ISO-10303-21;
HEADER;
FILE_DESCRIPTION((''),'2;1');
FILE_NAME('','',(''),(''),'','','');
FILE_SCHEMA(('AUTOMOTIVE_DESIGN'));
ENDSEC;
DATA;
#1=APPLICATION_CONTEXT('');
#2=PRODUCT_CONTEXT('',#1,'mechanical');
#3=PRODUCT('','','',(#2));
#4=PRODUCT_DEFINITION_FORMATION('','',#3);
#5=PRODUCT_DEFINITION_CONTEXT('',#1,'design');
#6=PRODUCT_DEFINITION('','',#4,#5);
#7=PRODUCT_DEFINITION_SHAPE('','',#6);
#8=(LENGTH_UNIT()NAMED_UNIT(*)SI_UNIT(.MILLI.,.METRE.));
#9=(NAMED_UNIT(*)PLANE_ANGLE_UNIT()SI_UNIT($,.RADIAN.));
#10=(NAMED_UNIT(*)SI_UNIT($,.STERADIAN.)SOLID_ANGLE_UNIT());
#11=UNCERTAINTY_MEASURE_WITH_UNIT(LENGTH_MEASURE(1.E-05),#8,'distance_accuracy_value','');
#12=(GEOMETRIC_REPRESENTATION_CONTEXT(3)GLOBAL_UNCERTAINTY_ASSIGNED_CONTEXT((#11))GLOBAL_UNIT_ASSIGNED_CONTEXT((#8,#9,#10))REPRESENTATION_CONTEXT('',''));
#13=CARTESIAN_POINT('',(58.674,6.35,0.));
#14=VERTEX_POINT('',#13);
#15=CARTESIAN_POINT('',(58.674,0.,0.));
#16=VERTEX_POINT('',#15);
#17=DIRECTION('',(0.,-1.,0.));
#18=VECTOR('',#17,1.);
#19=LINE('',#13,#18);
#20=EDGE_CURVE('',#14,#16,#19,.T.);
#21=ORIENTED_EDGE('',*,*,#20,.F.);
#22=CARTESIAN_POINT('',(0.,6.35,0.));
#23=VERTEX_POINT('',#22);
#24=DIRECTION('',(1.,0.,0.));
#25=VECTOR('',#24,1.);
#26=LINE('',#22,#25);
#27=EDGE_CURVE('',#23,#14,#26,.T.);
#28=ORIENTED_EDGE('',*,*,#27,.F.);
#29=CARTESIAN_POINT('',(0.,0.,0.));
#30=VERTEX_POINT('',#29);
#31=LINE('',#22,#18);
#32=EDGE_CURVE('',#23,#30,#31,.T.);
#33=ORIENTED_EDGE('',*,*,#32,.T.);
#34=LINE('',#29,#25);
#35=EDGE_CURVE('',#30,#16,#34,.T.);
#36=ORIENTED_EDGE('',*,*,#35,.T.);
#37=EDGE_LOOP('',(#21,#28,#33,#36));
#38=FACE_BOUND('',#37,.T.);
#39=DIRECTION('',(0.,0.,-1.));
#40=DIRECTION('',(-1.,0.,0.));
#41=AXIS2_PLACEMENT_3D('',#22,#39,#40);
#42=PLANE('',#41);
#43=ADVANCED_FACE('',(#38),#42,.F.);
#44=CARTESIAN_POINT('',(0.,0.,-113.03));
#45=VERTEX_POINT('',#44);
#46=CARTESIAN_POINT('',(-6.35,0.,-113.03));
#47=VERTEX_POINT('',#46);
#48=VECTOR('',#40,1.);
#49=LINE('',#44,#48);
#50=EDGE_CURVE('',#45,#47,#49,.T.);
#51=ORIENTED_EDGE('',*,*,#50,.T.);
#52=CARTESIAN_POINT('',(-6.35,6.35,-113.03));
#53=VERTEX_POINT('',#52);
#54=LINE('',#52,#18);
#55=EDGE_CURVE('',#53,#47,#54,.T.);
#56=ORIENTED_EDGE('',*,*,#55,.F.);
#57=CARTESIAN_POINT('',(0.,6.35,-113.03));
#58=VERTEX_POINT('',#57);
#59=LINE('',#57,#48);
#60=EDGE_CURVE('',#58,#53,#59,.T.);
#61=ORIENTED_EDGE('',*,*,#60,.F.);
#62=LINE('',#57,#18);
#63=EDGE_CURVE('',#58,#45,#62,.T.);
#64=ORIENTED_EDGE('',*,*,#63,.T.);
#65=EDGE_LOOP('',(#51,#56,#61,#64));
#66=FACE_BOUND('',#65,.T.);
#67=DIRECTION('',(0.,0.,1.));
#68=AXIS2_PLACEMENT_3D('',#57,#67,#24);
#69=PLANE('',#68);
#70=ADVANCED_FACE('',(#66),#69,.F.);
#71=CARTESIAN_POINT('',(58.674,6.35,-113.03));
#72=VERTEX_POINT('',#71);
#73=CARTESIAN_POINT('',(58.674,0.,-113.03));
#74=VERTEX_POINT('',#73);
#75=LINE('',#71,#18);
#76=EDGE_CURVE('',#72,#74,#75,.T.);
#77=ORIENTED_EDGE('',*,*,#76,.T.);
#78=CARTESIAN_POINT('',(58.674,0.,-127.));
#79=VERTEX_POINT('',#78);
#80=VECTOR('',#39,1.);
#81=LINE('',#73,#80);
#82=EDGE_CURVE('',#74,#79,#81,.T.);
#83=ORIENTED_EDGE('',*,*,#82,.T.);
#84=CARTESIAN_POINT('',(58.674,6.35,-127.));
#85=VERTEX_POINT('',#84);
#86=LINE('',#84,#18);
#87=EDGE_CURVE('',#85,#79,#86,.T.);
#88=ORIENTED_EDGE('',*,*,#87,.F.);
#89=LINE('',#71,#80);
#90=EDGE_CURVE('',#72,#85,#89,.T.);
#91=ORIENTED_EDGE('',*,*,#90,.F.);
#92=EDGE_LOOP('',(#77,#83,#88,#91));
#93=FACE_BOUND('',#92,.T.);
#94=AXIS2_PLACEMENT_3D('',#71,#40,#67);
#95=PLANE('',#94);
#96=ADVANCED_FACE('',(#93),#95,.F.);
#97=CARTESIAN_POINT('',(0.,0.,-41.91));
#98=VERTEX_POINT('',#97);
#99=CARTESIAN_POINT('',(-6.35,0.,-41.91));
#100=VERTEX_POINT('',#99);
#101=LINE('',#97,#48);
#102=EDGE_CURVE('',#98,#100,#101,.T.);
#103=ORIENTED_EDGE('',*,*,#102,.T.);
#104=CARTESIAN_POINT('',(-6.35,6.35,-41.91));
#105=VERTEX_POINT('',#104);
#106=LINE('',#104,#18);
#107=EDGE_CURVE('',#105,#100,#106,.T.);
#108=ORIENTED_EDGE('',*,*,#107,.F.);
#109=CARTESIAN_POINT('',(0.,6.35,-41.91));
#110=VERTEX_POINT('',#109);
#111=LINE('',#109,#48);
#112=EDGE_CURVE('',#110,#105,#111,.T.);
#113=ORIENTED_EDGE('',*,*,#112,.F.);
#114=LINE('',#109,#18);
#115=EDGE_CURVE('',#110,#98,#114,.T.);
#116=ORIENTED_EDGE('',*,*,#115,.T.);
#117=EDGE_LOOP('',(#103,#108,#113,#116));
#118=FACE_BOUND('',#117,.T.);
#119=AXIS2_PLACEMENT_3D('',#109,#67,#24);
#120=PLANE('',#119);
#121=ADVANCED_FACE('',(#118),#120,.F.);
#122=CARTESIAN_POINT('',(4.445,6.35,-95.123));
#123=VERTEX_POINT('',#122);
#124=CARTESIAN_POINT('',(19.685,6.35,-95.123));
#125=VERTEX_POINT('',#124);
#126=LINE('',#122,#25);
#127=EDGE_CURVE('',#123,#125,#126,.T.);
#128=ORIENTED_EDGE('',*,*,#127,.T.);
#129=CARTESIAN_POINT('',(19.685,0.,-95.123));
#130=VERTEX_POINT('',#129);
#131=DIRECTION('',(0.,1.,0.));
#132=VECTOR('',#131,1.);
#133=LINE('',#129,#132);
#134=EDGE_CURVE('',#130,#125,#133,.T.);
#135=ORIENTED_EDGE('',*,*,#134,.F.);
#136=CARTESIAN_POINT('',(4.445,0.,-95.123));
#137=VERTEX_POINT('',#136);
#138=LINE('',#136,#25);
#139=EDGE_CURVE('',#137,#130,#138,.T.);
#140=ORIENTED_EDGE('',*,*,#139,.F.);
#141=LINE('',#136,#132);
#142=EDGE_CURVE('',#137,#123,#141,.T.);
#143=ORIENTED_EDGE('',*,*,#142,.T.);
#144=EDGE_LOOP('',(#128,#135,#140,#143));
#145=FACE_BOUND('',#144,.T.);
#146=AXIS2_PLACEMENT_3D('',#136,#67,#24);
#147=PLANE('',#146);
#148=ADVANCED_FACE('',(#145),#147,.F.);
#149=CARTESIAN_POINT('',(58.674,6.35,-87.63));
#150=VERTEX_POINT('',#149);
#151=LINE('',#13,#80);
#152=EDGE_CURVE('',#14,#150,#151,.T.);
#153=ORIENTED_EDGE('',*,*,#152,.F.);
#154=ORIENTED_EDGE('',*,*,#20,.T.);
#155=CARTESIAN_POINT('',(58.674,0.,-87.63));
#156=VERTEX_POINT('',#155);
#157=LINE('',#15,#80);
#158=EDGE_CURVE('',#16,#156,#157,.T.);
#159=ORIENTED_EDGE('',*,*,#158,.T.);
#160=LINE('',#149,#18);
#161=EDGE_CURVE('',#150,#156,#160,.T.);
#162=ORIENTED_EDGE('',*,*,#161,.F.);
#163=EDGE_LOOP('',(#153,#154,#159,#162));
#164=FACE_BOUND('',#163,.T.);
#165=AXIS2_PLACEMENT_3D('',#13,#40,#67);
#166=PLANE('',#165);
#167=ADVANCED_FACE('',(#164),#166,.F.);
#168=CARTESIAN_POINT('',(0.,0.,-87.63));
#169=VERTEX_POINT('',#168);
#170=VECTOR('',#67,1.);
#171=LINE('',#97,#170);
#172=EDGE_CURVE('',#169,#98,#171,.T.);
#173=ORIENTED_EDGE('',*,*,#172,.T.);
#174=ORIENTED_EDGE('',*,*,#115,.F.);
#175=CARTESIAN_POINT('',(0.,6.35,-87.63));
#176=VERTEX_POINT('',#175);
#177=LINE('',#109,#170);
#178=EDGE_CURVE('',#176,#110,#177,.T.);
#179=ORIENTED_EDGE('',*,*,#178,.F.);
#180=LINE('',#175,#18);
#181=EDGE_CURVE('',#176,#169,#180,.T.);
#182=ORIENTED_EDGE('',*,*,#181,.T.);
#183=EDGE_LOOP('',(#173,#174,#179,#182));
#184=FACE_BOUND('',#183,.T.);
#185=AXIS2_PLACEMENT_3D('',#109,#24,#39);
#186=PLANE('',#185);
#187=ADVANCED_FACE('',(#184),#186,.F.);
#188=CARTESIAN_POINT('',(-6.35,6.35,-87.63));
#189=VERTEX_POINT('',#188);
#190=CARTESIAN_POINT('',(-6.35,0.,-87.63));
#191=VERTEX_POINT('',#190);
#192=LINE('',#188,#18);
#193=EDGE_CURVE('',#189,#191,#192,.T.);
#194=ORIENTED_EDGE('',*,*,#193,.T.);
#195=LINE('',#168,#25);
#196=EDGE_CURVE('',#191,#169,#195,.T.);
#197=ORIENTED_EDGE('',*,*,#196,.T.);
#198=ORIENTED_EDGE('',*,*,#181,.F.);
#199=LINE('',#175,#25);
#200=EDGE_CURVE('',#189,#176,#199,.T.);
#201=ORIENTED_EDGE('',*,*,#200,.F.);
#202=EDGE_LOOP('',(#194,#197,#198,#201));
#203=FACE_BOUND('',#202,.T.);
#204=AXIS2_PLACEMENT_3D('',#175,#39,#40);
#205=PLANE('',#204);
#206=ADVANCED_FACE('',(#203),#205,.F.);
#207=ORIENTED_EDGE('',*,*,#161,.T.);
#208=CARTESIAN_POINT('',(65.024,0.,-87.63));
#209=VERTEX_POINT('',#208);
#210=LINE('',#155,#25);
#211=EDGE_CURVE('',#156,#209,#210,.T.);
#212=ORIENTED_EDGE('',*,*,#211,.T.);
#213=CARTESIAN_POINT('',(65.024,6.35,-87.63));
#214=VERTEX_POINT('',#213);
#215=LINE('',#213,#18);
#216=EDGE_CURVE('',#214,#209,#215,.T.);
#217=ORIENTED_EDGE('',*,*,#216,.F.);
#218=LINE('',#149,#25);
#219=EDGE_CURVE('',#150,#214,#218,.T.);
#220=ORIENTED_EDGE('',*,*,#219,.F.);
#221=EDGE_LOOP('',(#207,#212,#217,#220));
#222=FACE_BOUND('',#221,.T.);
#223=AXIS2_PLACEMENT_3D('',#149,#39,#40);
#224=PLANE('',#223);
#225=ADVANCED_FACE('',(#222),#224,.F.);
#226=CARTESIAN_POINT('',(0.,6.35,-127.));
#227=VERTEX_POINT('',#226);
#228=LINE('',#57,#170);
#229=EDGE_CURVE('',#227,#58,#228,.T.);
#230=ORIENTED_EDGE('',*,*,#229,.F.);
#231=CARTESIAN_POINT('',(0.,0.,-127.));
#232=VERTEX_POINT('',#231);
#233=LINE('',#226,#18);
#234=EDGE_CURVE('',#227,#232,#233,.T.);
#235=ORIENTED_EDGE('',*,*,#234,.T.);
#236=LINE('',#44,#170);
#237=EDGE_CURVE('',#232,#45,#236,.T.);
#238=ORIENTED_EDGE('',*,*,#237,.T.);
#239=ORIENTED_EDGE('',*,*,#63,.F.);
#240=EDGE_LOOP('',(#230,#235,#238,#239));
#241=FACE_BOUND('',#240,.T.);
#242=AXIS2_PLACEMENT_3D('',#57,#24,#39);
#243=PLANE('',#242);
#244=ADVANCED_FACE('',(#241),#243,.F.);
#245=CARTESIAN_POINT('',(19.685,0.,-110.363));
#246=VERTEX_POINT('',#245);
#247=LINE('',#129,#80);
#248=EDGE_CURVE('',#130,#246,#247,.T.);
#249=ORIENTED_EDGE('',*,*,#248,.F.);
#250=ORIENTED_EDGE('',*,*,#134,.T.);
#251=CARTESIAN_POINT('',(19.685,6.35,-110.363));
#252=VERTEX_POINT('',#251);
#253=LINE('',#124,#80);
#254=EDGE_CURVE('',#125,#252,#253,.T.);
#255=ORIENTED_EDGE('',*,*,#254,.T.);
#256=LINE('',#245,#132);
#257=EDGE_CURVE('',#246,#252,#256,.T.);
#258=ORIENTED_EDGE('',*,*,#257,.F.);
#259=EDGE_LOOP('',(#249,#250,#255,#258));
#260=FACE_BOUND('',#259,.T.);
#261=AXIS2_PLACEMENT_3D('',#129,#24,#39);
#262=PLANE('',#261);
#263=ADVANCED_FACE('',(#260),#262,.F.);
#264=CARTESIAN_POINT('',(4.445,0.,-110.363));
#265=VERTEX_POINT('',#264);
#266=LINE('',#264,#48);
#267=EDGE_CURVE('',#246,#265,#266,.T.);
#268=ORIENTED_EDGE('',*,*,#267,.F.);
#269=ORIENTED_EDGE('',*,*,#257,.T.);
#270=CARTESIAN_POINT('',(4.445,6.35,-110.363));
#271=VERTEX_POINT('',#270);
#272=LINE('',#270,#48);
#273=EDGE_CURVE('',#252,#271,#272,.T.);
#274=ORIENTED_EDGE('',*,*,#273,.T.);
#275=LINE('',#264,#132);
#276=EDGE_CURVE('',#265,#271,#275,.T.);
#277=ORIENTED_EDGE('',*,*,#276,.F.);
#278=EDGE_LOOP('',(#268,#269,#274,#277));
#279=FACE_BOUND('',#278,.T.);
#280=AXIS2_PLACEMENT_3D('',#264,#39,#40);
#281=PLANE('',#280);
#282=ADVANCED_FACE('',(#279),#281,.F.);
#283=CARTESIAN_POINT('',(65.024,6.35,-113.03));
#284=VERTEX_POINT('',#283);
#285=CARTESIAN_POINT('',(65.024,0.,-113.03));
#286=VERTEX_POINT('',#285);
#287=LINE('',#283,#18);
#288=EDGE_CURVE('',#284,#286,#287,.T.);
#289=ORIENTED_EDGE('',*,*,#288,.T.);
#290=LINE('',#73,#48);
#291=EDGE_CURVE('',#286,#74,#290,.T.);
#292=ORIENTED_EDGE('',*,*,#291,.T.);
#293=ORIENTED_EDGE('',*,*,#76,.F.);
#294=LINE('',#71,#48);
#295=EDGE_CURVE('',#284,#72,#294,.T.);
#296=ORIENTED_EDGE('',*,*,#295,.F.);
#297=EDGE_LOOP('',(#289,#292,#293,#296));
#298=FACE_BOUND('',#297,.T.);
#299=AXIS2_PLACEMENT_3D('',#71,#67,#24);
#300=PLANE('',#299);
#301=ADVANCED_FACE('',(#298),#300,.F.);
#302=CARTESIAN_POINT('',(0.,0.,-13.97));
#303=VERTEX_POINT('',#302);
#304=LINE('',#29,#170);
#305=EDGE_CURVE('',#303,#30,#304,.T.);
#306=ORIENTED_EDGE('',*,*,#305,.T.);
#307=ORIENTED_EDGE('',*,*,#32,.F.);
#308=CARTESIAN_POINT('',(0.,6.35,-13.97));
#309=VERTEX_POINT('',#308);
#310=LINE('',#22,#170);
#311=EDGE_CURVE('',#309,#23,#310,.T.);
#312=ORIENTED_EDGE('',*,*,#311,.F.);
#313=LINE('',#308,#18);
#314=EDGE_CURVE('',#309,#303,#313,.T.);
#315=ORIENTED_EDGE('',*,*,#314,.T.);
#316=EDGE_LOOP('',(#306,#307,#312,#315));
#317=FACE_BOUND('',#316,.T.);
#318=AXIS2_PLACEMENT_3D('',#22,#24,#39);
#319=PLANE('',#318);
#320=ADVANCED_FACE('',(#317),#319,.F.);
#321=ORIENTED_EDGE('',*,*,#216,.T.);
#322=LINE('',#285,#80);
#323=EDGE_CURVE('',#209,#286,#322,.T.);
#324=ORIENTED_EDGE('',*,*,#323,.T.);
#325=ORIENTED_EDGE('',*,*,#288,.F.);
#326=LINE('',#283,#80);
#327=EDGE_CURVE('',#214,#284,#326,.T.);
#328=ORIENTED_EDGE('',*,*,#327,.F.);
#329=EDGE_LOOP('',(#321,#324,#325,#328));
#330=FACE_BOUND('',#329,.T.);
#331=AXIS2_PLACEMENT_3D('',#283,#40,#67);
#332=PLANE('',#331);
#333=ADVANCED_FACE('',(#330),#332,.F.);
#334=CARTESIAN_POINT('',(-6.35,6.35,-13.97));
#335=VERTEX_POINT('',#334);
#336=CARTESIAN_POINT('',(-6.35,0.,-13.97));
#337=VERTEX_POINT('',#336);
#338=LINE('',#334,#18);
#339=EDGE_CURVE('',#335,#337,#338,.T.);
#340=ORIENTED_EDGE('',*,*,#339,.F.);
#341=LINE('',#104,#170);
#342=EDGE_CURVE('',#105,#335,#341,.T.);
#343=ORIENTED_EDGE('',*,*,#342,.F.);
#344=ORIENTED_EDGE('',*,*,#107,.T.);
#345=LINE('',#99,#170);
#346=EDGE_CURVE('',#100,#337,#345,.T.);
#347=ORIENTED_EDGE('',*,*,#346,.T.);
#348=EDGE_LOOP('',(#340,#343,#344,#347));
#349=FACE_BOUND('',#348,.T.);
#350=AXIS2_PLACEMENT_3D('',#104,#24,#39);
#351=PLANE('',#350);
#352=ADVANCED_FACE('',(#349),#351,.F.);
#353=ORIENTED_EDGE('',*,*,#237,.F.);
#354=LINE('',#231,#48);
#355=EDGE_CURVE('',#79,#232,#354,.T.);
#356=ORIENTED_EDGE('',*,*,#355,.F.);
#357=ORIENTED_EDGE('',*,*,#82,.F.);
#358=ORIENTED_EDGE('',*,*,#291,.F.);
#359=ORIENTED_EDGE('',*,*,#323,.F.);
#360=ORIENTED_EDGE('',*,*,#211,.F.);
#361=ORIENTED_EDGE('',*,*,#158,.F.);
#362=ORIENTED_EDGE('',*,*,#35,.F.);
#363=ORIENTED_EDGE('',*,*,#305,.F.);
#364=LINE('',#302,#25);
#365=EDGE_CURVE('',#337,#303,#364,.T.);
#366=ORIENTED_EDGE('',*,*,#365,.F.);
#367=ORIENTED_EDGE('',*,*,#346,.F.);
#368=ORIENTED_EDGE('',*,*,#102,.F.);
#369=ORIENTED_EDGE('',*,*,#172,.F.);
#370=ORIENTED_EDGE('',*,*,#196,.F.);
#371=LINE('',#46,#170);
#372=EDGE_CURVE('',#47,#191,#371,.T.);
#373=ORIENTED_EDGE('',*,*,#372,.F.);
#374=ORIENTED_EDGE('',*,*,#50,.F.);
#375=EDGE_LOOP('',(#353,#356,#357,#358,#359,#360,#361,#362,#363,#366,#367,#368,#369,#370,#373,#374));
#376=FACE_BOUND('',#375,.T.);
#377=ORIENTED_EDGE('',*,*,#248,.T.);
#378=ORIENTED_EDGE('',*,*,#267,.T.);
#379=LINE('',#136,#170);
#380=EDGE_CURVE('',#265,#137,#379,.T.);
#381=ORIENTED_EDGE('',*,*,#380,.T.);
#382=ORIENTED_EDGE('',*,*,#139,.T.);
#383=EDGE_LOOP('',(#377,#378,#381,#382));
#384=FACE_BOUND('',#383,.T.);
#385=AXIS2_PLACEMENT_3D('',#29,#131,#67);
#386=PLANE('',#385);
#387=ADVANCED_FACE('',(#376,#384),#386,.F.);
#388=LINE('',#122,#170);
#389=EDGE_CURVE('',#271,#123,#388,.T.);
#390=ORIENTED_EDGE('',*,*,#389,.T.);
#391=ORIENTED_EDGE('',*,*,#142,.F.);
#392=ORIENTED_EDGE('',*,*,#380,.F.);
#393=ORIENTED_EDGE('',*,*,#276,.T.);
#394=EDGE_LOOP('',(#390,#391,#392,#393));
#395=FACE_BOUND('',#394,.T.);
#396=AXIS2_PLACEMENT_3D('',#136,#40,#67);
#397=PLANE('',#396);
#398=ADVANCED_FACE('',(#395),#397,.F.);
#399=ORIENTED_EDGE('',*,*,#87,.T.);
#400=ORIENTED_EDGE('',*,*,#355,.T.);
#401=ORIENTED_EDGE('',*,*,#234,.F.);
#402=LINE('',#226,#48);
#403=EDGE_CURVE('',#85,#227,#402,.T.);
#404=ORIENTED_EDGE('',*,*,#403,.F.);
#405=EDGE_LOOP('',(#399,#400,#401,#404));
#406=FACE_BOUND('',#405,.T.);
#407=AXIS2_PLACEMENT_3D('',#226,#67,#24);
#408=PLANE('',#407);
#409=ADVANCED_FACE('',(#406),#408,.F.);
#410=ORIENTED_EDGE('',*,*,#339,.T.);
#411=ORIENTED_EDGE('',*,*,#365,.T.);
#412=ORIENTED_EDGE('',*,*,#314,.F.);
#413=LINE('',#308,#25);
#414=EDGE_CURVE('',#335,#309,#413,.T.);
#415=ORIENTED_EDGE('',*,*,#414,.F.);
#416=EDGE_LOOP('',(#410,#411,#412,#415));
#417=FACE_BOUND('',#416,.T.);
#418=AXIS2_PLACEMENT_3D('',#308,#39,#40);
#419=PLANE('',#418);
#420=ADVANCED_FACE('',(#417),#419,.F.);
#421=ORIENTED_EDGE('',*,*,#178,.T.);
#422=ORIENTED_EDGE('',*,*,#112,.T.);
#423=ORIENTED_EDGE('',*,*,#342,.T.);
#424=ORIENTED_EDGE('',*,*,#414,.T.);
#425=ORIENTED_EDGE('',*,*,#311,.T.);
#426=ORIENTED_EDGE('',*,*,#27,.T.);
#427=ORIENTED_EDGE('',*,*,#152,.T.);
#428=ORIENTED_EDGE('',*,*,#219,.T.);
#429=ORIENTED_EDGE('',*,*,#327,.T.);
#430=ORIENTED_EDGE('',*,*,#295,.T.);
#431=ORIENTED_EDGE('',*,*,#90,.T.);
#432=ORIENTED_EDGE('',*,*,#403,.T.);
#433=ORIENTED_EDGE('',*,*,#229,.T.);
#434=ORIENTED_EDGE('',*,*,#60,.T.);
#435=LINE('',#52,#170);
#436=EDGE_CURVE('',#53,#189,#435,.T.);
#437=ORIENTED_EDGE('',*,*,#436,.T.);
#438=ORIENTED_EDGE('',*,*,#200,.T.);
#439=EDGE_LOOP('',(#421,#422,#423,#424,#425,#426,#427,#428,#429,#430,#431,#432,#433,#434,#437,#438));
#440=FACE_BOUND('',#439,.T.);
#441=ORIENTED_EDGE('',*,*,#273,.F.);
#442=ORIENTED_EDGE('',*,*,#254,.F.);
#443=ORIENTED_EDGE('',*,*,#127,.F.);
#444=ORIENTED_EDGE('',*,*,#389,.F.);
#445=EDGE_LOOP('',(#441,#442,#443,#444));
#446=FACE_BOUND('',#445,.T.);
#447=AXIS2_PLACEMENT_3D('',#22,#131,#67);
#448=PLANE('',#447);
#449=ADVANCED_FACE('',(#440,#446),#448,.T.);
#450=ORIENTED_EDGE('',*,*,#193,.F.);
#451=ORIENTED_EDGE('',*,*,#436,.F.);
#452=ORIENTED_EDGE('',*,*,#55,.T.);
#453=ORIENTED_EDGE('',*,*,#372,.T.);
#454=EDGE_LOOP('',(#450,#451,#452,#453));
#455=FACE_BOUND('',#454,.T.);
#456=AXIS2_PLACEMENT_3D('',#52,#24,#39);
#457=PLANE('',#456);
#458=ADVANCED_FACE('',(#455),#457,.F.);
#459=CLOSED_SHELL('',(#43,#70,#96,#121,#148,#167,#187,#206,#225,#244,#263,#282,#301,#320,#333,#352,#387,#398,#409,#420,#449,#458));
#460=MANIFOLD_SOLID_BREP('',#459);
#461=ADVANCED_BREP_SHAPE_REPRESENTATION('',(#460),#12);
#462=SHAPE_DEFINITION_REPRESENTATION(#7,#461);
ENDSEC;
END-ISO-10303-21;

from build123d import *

# Parameters (mm, degrees)
BOSS_EXTRUDE1_DEPTH = 6.35
SKETCH4_W           = 15.24
SKETCH4_H           = 15.24
CUT_EXTRUDE1_DEPTH  = 6.35


with BuildPart() as part:
    # Sketch1 → Boss-Extrude1 (new body)
    with BuildSketch(Plane(origin=(0, 0, 0), x_dir=(1, 0, 0), z_dir=(0, 1, 0))):
        Polygon((0, 113.03), (0, 127), (58.674, 127), (58.674, 113.03), (65.024, 113.03), (65.024, 87.63), (58.674, 87.63), (58.674, 0), (0, 0), (0, 13.97), (-6.35, 13.97), (-6.35, 41.91), (0, 41.91), (0, 87.63), (-6.35, 87.63), (-6.35, 113.03), align=None)
    extrude(amount=BOSS_EXTRUDE1_DEPTH)

    # Sketch4 → Cut-Extrude1 (cut)
    with BuildSketch(Plane(origin=(0, 6.35, 0), x_dir=(1, 0, 0), z_dir=(0, 1, 0))):
        with Locations((12.065, 102.743)):
            Rectangle(SKETCH4_W, SKETCH4_H)
    extrude(amount=-CUT_EXTRUDE1_DEPTH, mode=Mode.SUBTRACT)


solid = part.part
